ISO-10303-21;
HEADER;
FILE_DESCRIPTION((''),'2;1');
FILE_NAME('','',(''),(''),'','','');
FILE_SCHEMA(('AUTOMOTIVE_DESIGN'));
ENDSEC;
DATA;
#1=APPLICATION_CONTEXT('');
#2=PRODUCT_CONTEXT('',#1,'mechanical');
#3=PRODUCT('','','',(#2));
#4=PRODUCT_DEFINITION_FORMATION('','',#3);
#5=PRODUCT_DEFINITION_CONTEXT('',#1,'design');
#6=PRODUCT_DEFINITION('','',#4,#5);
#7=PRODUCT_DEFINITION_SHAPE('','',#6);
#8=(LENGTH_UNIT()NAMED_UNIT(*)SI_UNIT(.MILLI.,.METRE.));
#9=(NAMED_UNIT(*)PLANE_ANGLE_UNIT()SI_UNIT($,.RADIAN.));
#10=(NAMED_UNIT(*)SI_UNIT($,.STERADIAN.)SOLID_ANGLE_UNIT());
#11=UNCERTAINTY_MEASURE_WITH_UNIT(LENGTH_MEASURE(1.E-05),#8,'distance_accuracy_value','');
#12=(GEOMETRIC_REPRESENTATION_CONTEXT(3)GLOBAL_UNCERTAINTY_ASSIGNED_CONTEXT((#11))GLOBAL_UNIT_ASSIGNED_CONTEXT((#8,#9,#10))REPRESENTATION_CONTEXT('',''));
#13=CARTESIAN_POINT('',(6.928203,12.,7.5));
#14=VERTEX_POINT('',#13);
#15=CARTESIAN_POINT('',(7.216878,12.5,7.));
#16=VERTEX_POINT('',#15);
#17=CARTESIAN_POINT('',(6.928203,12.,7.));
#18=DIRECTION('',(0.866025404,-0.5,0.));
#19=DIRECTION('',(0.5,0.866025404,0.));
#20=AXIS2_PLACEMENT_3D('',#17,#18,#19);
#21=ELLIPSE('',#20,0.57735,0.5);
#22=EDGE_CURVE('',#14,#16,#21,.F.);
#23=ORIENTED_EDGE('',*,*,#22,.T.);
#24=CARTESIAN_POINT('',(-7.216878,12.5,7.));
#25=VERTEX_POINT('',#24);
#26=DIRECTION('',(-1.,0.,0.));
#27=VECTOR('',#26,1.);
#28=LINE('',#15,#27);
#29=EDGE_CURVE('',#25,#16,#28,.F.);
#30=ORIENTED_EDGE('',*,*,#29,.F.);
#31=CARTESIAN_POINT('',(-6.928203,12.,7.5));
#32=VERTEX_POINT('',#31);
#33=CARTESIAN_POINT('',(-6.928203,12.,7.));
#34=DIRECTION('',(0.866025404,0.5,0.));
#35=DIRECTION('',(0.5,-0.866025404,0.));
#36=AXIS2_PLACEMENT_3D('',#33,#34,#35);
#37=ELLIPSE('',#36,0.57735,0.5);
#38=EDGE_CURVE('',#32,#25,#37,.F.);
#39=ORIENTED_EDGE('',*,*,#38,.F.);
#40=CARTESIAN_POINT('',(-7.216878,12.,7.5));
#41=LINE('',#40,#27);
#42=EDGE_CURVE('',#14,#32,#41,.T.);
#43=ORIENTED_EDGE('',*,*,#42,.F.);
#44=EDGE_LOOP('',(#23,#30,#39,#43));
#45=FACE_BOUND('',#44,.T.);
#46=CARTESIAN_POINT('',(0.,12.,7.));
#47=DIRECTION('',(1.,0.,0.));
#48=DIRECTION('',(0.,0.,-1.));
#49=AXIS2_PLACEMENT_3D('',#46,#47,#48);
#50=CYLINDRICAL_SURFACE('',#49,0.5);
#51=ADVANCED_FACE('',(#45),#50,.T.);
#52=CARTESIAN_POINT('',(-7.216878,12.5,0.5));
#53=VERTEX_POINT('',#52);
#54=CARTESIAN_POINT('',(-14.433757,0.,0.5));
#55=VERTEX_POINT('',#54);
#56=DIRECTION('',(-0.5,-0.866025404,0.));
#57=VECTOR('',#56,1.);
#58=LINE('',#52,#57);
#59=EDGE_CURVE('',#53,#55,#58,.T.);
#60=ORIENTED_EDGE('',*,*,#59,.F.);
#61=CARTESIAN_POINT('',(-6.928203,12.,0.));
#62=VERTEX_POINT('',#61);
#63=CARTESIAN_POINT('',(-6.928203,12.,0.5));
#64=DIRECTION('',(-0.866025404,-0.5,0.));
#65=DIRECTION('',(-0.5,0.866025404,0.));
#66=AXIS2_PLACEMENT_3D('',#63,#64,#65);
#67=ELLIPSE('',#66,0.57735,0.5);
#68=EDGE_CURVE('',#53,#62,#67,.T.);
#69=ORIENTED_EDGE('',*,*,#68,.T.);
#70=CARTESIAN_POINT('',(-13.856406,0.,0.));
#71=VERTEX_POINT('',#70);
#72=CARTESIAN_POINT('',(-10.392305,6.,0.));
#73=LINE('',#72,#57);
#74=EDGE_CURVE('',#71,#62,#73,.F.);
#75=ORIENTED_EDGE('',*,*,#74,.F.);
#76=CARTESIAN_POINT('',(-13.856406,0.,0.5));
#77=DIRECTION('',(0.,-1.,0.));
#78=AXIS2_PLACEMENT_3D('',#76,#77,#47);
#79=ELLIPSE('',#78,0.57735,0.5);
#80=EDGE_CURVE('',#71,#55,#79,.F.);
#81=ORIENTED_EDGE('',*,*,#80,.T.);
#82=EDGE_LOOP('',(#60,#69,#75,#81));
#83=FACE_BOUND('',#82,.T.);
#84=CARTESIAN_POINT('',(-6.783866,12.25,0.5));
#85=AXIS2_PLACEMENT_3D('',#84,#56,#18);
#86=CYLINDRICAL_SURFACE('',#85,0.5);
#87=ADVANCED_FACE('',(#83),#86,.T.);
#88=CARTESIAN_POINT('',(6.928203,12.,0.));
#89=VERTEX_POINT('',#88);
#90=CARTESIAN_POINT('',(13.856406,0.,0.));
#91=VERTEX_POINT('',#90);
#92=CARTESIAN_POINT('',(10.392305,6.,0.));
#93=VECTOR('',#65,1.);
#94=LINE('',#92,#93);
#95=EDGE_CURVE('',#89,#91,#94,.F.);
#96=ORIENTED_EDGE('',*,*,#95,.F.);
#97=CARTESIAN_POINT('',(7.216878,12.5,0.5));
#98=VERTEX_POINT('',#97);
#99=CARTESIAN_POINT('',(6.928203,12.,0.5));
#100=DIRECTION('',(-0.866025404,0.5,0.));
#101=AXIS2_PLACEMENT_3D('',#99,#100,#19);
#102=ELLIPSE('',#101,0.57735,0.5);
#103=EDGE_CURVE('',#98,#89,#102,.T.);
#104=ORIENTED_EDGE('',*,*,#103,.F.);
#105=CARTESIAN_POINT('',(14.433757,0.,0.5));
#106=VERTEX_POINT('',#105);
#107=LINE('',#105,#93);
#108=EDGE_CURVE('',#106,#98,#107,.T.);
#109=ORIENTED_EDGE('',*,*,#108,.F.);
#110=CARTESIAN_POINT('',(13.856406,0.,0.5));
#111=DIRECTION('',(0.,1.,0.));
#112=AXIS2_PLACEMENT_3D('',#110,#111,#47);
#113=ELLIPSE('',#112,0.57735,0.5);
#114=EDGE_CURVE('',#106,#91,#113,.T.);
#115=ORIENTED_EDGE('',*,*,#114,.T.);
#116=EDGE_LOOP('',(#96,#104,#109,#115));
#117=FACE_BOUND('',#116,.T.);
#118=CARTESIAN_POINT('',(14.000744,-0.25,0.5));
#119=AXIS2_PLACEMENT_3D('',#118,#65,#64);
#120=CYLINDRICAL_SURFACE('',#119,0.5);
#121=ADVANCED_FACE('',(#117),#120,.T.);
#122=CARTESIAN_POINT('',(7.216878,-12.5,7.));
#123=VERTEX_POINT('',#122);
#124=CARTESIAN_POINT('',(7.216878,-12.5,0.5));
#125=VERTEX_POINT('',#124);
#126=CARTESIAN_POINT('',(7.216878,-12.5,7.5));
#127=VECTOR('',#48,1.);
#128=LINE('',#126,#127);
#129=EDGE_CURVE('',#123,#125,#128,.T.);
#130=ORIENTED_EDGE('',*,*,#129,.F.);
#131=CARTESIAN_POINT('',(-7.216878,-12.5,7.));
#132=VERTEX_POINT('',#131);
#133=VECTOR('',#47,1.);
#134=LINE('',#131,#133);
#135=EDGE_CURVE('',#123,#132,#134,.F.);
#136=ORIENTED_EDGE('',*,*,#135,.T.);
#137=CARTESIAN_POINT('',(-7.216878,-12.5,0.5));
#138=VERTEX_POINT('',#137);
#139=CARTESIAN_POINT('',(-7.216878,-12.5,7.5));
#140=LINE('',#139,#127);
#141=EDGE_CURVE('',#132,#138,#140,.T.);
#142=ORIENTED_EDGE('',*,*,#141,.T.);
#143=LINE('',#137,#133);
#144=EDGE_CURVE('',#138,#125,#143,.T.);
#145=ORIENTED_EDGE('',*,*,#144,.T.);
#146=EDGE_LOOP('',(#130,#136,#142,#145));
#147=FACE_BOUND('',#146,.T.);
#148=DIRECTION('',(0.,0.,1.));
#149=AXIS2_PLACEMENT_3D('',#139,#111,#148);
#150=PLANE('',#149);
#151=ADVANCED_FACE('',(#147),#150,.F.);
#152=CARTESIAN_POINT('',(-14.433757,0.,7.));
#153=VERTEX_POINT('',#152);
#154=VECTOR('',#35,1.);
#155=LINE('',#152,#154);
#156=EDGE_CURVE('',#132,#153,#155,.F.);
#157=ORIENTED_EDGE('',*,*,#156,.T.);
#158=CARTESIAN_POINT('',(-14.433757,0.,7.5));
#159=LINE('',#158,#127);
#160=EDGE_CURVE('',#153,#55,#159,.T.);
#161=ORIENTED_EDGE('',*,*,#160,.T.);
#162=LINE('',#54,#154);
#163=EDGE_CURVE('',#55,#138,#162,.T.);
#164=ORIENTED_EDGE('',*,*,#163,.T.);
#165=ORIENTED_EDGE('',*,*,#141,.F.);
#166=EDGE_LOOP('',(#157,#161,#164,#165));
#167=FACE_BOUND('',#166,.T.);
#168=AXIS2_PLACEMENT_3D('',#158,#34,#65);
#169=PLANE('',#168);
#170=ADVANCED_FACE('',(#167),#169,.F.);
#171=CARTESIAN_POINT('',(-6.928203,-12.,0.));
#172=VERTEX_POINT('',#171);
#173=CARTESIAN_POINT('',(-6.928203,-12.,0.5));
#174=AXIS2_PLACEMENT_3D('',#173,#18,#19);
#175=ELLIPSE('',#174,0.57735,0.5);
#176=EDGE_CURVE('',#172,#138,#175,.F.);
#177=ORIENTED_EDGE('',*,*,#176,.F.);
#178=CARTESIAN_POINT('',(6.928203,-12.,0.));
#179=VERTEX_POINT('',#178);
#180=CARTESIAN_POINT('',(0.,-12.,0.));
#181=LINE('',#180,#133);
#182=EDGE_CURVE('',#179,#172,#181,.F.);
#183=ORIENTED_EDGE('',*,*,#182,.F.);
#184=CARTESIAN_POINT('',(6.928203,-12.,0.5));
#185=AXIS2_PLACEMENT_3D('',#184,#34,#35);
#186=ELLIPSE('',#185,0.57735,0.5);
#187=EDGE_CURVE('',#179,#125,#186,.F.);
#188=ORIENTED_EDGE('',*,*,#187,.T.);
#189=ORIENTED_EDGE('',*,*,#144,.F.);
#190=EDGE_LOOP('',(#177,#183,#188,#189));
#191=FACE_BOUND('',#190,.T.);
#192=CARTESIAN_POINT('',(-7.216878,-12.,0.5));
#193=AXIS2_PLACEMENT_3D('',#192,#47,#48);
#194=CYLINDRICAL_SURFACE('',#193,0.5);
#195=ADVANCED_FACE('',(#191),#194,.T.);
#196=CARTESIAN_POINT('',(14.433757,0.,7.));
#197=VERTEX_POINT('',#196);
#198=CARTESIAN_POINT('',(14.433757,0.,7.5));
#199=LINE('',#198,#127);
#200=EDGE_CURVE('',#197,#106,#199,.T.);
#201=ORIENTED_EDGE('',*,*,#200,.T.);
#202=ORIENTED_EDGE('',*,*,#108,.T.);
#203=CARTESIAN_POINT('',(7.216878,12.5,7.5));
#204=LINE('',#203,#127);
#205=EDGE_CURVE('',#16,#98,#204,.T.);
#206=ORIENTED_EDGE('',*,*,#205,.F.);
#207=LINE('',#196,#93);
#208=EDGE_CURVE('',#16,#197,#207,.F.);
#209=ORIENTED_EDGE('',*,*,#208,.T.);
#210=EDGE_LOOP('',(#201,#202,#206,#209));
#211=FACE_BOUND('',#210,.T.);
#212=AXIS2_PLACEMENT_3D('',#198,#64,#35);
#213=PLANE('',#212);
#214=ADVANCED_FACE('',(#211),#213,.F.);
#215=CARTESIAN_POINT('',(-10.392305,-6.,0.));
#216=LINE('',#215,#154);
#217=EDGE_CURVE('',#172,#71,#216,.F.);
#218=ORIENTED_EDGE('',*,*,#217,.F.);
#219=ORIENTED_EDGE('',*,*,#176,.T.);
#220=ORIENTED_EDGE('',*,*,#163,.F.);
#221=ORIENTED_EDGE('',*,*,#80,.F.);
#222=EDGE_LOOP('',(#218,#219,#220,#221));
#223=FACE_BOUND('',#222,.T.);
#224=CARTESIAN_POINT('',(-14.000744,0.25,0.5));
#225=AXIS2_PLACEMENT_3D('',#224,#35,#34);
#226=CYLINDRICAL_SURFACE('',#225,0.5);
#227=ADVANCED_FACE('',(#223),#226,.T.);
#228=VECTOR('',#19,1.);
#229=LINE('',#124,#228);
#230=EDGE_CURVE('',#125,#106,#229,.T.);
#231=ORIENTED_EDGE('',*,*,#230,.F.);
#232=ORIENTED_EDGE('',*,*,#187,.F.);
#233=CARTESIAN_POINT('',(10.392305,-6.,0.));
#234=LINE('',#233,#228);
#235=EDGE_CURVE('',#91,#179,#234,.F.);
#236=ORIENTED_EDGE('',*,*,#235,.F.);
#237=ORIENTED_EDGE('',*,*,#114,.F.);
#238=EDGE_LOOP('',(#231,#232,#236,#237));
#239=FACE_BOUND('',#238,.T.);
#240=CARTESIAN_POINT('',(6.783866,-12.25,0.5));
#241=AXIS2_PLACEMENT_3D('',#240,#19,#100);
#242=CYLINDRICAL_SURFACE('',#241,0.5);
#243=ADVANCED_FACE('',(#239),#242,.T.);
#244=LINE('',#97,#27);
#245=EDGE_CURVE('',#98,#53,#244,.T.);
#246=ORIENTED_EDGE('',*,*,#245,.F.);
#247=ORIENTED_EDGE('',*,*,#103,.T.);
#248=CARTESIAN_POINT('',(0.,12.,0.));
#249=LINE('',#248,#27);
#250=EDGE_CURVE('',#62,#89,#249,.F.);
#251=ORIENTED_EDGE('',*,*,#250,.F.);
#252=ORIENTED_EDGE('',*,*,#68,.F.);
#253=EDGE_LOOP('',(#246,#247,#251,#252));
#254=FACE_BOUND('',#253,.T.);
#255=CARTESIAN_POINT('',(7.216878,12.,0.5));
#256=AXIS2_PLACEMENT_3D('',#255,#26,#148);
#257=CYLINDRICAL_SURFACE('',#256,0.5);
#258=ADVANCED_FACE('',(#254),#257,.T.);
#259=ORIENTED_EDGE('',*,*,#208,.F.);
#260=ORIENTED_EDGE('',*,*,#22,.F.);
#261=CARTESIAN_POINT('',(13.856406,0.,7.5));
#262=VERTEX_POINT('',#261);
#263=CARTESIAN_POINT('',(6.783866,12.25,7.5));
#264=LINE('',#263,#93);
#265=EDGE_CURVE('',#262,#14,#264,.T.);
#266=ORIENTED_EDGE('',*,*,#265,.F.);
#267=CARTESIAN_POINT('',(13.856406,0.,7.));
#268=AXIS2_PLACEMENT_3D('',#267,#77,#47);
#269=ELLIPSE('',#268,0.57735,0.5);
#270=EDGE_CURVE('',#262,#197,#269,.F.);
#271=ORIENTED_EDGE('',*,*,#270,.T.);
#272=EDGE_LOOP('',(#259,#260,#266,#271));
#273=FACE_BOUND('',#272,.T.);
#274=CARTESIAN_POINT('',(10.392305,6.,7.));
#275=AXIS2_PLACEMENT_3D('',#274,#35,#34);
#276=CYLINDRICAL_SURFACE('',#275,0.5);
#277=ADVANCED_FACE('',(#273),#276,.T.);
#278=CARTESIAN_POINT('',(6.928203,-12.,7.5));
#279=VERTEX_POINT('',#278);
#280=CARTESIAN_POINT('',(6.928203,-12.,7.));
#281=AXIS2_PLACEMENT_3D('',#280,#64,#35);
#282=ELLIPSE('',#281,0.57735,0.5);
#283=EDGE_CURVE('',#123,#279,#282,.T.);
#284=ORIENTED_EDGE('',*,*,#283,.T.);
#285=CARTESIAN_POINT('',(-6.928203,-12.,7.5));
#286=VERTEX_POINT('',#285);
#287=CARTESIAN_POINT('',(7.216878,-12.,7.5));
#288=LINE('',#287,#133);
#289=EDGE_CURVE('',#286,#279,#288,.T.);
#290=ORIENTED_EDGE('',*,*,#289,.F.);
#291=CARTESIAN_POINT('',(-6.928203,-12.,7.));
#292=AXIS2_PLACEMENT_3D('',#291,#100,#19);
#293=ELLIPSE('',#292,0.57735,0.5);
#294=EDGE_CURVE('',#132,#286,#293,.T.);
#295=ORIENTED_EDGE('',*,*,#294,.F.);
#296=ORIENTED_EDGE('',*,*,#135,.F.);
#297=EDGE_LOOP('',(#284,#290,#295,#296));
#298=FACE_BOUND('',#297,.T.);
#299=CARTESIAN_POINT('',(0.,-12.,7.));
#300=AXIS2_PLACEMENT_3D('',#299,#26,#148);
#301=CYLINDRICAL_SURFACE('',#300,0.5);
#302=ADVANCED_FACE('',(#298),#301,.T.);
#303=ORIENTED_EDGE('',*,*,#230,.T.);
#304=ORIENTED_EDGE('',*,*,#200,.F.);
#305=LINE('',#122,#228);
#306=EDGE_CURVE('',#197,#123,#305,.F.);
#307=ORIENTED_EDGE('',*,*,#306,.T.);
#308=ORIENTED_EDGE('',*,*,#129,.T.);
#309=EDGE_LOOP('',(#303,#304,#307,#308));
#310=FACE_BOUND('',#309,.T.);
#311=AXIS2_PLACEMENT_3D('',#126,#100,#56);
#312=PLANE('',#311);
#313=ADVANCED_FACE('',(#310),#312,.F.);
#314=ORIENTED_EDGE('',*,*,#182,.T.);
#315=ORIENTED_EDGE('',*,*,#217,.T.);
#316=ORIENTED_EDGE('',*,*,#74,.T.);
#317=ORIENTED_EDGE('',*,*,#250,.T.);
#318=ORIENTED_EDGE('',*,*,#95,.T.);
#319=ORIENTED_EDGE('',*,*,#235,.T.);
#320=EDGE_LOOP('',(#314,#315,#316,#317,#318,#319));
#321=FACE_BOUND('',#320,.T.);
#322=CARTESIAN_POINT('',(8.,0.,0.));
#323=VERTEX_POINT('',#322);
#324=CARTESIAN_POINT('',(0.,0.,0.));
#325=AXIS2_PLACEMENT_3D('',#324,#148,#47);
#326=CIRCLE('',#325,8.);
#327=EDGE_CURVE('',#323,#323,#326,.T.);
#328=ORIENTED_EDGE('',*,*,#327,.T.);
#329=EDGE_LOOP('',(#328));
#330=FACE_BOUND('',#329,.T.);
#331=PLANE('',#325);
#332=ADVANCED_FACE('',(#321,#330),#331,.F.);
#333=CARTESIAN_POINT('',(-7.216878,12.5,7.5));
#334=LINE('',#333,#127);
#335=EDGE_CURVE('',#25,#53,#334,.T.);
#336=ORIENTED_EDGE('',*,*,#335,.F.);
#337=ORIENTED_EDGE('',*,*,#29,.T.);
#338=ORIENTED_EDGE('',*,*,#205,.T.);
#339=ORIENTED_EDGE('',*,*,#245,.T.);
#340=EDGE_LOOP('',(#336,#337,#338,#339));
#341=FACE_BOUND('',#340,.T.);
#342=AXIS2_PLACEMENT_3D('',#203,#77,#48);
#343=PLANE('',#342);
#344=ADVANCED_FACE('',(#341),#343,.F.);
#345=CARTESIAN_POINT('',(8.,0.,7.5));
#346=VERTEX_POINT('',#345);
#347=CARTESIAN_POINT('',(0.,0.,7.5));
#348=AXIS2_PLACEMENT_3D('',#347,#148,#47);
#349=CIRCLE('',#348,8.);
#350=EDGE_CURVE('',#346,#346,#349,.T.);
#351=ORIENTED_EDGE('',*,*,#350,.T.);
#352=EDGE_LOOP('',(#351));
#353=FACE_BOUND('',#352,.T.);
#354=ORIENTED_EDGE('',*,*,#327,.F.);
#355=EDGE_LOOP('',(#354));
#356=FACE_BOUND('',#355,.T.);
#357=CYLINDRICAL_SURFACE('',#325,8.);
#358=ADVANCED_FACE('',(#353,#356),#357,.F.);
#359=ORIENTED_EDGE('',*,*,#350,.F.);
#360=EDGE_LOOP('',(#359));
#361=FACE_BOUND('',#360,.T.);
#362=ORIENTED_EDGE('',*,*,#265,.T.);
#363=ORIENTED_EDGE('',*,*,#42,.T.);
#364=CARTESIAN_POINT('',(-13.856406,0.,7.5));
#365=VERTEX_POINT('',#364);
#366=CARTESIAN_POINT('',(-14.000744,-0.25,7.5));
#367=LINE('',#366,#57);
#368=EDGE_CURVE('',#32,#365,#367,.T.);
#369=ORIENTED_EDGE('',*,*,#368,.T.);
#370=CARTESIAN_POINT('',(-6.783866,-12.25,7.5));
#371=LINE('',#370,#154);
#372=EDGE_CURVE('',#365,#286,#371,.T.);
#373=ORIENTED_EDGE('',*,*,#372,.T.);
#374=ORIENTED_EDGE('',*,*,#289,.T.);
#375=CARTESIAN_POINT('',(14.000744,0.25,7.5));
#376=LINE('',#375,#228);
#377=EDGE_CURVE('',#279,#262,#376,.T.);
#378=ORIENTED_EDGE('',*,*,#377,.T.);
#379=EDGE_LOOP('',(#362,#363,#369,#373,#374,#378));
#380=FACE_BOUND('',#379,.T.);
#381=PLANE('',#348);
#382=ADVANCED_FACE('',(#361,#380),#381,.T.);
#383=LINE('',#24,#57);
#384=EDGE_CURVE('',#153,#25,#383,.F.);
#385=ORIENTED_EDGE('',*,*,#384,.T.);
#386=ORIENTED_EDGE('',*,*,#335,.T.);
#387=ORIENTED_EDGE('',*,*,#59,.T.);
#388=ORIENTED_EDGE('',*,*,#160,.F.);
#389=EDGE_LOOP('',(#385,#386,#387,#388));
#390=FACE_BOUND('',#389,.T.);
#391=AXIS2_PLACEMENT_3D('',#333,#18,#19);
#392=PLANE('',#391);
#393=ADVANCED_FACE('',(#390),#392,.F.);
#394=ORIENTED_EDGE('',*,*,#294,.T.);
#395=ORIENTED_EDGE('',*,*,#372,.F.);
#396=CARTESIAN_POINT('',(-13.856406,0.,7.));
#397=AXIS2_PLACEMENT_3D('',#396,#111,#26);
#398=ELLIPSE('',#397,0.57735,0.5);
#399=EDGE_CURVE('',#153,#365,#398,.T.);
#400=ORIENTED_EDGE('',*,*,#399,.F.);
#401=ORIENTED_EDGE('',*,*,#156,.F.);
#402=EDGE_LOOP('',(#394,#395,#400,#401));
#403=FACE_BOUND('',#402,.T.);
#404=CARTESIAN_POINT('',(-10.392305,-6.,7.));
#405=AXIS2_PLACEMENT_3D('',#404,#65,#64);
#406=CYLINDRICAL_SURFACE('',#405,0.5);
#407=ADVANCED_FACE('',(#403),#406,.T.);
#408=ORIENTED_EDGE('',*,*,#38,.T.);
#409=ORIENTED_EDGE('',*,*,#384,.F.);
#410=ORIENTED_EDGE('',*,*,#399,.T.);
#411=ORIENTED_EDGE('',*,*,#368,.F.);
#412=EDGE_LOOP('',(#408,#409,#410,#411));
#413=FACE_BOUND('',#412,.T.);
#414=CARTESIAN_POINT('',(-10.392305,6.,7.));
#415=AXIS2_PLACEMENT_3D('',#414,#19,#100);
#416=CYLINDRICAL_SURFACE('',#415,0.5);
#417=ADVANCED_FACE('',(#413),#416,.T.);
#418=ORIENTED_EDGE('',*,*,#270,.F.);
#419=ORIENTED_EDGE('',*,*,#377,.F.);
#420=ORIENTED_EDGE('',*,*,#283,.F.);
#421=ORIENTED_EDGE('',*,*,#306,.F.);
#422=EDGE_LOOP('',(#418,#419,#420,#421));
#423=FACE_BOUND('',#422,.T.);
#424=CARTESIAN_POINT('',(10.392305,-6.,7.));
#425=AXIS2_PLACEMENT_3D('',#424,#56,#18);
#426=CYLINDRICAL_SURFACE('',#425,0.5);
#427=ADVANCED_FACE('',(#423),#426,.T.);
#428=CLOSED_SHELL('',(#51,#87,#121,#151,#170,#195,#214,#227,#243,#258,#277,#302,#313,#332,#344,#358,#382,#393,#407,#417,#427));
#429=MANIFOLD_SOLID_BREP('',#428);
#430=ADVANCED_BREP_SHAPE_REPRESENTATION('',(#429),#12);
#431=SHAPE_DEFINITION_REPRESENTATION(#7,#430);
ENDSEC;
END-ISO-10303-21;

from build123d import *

# Parameters (mm, degrees)
EXTRUDE_1_DEPTH     = 7.5
SKETCH_3_R          = 8
CUT_EXTRUDE_1_DEPTH = 21.514222708
FILLET_1_R          = 0.5


with BuildPart() as part:
    # 草图2 → 凸台-拉伸1 (new body)
    with BuildSketch(Plane.XY):
        Polygon((7.216878365, -12.5), (14.43375673, 0), (7.216878365, 12.5), (-7.216878365, 12.5), (-14.43375673, 0), (-7.216878365, -12.5), align=None)
    extrude(amount=EXTRUDE_1_DEPTH)

    # 草图3 → 切除-拉伸1 (cut, through all)
    with BuildSketch(Plane.XY.offset(7.5)):
        Circle(SKETCH_3_R)
    extrude(amount=-CUT_EXTRUDE_1_DEPTH, mode=Mode.SUBTRACT)

    # 圆角1
    fillet_1_edges = [part.edges().sort_by_distance(p)[0] for p in [
        (10.825317547, 6.25, 7.5),
        (0, 12.5, 7.5),
        (-10.825317547, 6.25, 7.5),
        (-10.825317547, -6.25, 7.5),
        (0, -12.5, 7.5),
        (-10.825317547, -6.25, 0),
        (-10.825317547, 6.25, 0),
        (0, 12.5, 0),
        (10.825317547, -6.25, 7.5),
        (10.825317547, 6.25, 0),
        (10.825317547, -6.25, 0),
        (0, -12.5, 0),
    ]]
    fillet(fillet_1_edges, radius=FILLET_1_R)


solid = part.part
